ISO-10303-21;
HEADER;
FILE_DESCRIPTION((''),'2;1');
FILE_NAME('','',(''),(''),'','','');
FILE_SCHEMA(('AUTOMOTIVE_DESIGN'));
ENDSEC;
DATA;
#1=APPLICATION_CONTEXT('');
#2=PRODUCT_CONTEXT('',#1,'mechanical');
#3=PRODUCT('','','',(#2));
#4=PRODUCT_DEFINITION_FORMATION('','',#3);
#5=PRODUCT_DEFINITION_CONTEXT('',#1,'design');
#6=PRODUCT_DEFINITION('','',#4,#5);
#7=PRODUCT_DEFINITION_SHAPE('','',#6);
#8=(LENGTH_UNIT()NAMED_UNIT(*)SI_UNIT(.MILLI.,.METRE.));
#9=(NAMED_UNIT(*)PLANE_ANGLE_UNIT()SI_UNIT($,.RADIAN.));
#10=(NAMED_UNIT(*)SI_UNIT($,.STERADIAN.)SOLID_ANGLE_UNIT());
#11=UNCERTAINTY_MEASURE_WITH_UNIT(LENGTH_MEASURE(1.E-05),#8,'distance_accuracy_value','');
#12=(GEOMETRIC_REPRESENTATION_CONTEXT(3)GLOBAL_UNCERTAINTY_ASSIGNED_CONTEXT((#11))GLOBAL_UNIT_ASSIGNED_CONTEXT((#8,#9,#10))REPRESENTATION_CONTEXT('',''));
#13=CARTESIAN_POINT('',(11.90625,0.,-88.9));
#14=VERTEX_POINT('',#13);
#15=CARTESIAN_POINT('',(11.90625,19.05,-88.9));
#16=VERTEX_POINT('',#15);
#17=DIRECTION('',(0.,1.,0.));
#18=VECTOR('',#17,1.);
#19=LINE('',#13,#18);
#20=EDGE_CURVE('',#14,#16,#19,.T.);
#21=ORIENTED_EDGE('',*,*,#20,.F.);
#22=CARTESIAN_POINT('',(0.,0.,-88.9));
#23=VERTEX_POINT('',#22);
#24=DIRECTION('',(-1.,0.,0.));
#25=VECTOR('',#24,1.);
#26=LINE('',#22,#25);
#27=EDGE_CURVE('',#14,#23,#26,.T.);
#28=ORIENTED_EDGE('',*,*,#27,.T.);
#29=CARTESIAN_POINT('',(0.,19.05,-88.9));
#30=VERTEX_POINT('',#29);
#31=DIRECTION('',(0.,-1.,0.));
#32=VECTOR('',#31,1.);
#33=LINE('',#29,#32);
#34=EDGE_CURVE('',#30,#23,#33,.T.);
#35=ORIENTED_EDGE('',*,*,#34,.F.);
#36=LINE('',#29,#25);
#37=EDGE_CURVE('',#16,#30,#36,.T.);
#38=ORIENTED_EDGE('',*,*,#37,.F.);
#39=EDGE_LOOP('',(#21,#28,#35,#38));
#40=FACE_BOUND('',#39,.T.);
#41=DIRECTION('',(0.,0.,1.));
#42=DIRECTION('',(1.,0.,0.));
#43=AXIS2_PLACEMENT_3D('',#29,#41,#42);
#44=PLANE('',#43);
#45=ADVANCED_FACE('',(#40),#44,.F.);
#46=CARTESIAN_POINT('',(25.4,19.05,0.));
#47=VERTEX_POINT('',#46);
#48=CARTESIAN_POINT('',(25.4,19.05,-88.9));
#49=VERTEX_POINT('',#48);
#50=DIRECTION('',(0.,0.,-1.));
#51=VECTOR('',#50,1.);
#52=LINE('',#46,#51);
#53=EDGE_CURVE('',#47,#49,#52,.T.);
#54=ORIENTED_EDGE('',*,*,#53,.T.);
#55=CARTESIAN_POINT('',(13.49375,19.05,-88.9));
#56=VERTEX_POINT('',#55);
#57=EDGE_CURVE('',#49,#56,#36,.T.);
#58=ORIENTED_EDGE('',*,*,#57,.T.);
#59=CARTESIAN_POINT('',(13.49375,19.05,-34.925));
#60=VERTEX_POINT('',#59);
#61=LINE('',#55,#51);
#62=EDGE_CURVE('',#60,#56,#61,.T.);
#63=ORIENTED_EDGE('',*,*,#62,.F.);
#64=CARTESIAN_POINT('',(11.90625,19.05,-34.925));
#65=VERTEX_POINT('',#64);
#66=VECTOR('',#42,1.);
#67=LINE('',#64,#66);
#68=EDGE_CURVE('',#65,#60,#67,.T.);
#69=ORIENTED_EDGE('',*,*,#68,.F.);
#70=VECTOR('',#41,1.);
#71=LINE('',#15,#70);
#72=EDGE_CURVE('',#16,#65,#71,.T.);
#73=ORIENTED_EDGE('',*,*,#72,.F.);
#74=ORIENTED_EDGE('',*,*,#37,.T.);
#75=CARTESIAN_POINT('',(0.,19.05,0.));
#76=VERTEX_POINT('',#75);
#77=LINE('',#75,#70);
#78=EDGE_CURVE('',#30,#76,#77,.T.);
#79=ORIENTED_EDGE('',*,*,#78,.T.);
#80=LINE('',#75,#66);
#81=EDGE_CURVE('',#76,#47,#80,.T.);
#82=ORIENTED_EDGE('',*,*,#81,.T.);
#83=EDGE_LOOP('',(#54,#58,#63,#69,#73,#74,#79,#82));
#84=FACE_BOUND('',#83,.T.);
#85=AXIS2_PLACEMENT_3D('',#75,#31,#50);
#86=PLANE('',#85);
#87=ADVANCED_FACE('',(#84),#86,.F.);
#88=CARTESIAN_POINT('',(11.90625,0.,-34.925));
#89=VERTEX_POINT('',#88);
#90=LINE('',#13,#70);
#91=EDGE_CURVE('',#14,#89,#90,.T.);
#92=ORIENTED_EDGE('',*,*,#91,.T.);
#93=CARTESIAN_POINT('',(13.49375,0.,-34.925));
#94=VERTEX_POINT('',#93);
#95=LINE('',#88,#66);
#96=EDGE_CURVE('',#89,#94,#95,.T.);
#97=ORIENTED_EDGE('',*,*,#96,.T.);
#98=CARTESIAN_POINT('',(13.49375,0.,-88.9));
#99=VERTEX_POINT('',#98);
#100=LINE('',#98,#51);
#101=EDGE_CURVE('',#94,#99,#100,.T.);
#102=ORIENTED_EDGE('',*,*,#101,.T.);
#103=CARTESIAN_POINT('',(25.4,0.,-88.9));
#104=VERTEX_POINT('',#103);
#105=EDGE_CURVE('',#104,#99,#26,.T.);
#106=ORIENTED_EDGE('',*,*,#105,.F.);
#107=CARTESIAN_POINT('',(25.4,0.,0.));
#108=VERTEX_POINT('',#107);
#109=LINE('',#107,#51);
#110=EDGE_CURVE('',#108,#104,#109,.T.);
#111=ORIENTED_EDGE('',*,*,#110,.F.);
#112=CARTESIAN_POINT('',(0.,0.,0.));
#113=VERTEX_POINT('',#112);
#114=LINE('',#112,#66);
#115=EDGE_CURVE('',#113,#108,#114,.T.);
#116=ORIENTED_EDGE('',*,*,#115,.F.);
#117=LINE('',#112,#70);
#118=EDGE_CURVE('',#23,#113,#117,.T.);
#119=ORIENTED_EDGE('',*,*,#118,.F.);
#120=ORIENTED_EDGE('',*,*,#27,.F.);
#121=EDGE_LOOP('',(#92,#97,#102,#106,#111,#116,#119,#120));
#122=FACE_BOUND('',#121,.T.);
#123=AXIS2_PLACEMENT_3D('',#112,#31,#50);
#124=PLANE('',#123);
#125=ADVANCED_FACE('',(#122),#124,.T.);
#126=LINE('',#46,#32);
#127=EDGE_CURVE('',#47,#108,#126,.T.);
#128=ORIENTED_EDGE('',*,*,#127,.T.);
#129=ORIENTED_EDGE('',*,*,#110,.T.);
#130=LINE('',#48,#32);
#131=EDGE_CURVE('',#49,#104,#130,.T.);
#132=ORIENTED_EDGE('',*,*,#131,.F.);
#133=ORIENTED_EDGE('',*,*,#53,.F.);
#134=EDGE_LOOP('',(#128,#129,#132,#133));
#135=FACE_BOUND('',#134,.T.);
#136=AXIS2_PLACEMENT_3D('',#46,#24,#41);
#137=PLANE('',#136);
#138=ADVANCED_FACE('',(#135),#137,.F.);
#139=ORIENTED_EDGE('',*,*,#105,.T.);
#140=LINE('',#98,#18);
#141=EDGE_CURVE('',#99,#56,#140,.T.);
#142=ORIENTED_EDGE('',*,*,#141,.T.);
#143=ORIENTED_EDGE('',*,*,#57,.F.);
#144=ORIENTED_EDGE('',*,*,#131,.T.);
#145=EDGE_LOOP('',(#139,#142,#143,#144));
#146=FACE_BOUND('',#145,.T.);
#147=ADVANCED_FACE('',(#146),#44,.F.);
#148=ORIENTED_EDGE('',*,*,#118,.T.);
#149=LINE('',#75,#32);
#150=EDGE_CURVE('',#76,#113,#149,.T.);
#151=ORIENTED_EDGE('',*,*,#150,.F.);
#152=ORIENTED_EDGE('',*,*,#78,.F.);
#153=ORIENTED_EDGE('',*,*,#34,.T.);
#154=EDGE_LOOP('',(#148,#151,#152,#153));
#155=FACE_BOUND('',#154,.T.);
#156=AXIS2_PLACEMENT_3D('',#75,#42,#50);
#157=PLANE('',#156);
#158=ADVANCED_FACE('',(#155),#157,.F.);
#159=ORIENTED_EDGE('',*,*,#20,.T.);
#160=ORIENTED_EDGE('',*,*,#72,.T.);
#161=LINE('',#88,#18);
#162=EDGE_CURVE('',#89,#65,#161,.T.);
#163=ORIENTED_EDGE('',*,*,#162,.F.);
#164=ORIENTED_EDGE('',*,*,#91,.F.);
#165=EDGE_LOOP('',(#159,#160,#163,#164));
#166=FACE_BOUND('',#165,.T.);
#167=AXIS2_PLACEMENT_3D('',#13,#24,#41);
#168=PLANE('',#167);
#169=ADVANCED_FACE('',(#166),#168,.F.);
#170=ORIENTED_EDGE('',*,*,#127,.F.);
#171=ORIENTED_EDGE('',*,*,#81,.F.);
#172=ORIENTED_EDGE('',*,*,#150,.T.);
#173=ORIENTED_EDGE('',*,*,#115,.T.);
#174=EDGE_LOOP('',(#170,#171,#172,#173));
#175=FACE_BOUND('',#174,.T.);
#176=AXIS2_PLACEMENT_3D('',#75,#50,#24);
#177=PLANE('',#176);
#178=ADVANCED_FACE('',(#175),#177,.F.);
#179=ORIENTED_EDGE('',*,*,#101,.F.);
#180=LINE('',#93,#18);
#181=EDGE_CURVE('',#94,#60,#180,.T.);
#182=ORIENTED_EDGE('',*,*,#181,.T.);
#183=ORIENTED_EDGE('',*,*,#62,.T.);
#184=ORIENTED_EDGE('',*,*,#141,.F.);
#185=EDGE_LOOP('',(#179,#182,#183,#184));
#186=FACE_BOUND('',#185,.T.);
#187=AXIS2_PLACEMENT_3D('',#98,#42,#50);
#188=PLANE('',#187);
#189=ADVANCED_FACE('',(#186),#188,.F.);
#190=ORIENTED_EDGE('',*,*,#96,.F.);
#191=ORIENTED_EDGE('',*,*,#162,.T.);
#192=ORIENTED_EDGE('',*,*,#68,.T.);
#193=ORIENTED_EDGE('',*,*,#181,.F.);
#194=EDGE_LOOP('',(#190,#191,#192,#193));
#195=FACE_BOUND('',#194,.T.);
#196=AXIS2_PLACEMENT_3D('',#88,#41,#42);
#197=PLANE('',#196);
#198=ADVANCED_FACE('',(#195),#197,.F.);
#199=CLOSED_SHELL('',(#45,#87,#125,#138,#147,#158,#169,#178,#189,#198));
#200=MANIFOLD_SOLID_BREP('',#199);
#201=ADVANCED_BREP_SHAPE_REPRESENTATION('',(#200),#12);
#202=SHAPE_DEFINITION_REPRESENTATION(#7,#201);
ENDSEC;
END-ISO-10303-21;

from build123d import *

# Parameters (mm, degrees)
SKETCH1_W           = 25.4
SKETCH1_H           = 88.9
BOSS_EXTRUDE1_DEPTH = 19.05
SKETCH2_W           = 1.5875
SKETCH2_H           = 53.975
CUT_EXTRUDE1_DEPTH  = 95.399536545


with BuildPart() as part:
    # Sketch1 → Boss-Extrude1 (new body)
    with BuildSketch(Plane(origin=(0, 0, 0), x_dir=(1, 0, 0), z_dir=(0, 1, 0))):
        with Locations((12.7, 44.45)):
            Rectangle(SKETCH1_W, SKETCH1_H)
    extrude(amount=BOSS_EXTRUDE1_DEPTH)

    # Sketch2 → Cut-Extrude1 (cut, through all)
    with BuildSketch(Plane(origin=(0, 19.05, 0), x_dir=(1, 0, 0), z_dir=(0, 1, 0))):
        with Locations((12.7, 61.9125)):
            Rectangle(SKETCH2_W, SKETCH2_H)
    extrude(amount=-CUT_EXTRUDE1_DEPTH, mode=Mode.SUBTRACT)


solid = part.part
